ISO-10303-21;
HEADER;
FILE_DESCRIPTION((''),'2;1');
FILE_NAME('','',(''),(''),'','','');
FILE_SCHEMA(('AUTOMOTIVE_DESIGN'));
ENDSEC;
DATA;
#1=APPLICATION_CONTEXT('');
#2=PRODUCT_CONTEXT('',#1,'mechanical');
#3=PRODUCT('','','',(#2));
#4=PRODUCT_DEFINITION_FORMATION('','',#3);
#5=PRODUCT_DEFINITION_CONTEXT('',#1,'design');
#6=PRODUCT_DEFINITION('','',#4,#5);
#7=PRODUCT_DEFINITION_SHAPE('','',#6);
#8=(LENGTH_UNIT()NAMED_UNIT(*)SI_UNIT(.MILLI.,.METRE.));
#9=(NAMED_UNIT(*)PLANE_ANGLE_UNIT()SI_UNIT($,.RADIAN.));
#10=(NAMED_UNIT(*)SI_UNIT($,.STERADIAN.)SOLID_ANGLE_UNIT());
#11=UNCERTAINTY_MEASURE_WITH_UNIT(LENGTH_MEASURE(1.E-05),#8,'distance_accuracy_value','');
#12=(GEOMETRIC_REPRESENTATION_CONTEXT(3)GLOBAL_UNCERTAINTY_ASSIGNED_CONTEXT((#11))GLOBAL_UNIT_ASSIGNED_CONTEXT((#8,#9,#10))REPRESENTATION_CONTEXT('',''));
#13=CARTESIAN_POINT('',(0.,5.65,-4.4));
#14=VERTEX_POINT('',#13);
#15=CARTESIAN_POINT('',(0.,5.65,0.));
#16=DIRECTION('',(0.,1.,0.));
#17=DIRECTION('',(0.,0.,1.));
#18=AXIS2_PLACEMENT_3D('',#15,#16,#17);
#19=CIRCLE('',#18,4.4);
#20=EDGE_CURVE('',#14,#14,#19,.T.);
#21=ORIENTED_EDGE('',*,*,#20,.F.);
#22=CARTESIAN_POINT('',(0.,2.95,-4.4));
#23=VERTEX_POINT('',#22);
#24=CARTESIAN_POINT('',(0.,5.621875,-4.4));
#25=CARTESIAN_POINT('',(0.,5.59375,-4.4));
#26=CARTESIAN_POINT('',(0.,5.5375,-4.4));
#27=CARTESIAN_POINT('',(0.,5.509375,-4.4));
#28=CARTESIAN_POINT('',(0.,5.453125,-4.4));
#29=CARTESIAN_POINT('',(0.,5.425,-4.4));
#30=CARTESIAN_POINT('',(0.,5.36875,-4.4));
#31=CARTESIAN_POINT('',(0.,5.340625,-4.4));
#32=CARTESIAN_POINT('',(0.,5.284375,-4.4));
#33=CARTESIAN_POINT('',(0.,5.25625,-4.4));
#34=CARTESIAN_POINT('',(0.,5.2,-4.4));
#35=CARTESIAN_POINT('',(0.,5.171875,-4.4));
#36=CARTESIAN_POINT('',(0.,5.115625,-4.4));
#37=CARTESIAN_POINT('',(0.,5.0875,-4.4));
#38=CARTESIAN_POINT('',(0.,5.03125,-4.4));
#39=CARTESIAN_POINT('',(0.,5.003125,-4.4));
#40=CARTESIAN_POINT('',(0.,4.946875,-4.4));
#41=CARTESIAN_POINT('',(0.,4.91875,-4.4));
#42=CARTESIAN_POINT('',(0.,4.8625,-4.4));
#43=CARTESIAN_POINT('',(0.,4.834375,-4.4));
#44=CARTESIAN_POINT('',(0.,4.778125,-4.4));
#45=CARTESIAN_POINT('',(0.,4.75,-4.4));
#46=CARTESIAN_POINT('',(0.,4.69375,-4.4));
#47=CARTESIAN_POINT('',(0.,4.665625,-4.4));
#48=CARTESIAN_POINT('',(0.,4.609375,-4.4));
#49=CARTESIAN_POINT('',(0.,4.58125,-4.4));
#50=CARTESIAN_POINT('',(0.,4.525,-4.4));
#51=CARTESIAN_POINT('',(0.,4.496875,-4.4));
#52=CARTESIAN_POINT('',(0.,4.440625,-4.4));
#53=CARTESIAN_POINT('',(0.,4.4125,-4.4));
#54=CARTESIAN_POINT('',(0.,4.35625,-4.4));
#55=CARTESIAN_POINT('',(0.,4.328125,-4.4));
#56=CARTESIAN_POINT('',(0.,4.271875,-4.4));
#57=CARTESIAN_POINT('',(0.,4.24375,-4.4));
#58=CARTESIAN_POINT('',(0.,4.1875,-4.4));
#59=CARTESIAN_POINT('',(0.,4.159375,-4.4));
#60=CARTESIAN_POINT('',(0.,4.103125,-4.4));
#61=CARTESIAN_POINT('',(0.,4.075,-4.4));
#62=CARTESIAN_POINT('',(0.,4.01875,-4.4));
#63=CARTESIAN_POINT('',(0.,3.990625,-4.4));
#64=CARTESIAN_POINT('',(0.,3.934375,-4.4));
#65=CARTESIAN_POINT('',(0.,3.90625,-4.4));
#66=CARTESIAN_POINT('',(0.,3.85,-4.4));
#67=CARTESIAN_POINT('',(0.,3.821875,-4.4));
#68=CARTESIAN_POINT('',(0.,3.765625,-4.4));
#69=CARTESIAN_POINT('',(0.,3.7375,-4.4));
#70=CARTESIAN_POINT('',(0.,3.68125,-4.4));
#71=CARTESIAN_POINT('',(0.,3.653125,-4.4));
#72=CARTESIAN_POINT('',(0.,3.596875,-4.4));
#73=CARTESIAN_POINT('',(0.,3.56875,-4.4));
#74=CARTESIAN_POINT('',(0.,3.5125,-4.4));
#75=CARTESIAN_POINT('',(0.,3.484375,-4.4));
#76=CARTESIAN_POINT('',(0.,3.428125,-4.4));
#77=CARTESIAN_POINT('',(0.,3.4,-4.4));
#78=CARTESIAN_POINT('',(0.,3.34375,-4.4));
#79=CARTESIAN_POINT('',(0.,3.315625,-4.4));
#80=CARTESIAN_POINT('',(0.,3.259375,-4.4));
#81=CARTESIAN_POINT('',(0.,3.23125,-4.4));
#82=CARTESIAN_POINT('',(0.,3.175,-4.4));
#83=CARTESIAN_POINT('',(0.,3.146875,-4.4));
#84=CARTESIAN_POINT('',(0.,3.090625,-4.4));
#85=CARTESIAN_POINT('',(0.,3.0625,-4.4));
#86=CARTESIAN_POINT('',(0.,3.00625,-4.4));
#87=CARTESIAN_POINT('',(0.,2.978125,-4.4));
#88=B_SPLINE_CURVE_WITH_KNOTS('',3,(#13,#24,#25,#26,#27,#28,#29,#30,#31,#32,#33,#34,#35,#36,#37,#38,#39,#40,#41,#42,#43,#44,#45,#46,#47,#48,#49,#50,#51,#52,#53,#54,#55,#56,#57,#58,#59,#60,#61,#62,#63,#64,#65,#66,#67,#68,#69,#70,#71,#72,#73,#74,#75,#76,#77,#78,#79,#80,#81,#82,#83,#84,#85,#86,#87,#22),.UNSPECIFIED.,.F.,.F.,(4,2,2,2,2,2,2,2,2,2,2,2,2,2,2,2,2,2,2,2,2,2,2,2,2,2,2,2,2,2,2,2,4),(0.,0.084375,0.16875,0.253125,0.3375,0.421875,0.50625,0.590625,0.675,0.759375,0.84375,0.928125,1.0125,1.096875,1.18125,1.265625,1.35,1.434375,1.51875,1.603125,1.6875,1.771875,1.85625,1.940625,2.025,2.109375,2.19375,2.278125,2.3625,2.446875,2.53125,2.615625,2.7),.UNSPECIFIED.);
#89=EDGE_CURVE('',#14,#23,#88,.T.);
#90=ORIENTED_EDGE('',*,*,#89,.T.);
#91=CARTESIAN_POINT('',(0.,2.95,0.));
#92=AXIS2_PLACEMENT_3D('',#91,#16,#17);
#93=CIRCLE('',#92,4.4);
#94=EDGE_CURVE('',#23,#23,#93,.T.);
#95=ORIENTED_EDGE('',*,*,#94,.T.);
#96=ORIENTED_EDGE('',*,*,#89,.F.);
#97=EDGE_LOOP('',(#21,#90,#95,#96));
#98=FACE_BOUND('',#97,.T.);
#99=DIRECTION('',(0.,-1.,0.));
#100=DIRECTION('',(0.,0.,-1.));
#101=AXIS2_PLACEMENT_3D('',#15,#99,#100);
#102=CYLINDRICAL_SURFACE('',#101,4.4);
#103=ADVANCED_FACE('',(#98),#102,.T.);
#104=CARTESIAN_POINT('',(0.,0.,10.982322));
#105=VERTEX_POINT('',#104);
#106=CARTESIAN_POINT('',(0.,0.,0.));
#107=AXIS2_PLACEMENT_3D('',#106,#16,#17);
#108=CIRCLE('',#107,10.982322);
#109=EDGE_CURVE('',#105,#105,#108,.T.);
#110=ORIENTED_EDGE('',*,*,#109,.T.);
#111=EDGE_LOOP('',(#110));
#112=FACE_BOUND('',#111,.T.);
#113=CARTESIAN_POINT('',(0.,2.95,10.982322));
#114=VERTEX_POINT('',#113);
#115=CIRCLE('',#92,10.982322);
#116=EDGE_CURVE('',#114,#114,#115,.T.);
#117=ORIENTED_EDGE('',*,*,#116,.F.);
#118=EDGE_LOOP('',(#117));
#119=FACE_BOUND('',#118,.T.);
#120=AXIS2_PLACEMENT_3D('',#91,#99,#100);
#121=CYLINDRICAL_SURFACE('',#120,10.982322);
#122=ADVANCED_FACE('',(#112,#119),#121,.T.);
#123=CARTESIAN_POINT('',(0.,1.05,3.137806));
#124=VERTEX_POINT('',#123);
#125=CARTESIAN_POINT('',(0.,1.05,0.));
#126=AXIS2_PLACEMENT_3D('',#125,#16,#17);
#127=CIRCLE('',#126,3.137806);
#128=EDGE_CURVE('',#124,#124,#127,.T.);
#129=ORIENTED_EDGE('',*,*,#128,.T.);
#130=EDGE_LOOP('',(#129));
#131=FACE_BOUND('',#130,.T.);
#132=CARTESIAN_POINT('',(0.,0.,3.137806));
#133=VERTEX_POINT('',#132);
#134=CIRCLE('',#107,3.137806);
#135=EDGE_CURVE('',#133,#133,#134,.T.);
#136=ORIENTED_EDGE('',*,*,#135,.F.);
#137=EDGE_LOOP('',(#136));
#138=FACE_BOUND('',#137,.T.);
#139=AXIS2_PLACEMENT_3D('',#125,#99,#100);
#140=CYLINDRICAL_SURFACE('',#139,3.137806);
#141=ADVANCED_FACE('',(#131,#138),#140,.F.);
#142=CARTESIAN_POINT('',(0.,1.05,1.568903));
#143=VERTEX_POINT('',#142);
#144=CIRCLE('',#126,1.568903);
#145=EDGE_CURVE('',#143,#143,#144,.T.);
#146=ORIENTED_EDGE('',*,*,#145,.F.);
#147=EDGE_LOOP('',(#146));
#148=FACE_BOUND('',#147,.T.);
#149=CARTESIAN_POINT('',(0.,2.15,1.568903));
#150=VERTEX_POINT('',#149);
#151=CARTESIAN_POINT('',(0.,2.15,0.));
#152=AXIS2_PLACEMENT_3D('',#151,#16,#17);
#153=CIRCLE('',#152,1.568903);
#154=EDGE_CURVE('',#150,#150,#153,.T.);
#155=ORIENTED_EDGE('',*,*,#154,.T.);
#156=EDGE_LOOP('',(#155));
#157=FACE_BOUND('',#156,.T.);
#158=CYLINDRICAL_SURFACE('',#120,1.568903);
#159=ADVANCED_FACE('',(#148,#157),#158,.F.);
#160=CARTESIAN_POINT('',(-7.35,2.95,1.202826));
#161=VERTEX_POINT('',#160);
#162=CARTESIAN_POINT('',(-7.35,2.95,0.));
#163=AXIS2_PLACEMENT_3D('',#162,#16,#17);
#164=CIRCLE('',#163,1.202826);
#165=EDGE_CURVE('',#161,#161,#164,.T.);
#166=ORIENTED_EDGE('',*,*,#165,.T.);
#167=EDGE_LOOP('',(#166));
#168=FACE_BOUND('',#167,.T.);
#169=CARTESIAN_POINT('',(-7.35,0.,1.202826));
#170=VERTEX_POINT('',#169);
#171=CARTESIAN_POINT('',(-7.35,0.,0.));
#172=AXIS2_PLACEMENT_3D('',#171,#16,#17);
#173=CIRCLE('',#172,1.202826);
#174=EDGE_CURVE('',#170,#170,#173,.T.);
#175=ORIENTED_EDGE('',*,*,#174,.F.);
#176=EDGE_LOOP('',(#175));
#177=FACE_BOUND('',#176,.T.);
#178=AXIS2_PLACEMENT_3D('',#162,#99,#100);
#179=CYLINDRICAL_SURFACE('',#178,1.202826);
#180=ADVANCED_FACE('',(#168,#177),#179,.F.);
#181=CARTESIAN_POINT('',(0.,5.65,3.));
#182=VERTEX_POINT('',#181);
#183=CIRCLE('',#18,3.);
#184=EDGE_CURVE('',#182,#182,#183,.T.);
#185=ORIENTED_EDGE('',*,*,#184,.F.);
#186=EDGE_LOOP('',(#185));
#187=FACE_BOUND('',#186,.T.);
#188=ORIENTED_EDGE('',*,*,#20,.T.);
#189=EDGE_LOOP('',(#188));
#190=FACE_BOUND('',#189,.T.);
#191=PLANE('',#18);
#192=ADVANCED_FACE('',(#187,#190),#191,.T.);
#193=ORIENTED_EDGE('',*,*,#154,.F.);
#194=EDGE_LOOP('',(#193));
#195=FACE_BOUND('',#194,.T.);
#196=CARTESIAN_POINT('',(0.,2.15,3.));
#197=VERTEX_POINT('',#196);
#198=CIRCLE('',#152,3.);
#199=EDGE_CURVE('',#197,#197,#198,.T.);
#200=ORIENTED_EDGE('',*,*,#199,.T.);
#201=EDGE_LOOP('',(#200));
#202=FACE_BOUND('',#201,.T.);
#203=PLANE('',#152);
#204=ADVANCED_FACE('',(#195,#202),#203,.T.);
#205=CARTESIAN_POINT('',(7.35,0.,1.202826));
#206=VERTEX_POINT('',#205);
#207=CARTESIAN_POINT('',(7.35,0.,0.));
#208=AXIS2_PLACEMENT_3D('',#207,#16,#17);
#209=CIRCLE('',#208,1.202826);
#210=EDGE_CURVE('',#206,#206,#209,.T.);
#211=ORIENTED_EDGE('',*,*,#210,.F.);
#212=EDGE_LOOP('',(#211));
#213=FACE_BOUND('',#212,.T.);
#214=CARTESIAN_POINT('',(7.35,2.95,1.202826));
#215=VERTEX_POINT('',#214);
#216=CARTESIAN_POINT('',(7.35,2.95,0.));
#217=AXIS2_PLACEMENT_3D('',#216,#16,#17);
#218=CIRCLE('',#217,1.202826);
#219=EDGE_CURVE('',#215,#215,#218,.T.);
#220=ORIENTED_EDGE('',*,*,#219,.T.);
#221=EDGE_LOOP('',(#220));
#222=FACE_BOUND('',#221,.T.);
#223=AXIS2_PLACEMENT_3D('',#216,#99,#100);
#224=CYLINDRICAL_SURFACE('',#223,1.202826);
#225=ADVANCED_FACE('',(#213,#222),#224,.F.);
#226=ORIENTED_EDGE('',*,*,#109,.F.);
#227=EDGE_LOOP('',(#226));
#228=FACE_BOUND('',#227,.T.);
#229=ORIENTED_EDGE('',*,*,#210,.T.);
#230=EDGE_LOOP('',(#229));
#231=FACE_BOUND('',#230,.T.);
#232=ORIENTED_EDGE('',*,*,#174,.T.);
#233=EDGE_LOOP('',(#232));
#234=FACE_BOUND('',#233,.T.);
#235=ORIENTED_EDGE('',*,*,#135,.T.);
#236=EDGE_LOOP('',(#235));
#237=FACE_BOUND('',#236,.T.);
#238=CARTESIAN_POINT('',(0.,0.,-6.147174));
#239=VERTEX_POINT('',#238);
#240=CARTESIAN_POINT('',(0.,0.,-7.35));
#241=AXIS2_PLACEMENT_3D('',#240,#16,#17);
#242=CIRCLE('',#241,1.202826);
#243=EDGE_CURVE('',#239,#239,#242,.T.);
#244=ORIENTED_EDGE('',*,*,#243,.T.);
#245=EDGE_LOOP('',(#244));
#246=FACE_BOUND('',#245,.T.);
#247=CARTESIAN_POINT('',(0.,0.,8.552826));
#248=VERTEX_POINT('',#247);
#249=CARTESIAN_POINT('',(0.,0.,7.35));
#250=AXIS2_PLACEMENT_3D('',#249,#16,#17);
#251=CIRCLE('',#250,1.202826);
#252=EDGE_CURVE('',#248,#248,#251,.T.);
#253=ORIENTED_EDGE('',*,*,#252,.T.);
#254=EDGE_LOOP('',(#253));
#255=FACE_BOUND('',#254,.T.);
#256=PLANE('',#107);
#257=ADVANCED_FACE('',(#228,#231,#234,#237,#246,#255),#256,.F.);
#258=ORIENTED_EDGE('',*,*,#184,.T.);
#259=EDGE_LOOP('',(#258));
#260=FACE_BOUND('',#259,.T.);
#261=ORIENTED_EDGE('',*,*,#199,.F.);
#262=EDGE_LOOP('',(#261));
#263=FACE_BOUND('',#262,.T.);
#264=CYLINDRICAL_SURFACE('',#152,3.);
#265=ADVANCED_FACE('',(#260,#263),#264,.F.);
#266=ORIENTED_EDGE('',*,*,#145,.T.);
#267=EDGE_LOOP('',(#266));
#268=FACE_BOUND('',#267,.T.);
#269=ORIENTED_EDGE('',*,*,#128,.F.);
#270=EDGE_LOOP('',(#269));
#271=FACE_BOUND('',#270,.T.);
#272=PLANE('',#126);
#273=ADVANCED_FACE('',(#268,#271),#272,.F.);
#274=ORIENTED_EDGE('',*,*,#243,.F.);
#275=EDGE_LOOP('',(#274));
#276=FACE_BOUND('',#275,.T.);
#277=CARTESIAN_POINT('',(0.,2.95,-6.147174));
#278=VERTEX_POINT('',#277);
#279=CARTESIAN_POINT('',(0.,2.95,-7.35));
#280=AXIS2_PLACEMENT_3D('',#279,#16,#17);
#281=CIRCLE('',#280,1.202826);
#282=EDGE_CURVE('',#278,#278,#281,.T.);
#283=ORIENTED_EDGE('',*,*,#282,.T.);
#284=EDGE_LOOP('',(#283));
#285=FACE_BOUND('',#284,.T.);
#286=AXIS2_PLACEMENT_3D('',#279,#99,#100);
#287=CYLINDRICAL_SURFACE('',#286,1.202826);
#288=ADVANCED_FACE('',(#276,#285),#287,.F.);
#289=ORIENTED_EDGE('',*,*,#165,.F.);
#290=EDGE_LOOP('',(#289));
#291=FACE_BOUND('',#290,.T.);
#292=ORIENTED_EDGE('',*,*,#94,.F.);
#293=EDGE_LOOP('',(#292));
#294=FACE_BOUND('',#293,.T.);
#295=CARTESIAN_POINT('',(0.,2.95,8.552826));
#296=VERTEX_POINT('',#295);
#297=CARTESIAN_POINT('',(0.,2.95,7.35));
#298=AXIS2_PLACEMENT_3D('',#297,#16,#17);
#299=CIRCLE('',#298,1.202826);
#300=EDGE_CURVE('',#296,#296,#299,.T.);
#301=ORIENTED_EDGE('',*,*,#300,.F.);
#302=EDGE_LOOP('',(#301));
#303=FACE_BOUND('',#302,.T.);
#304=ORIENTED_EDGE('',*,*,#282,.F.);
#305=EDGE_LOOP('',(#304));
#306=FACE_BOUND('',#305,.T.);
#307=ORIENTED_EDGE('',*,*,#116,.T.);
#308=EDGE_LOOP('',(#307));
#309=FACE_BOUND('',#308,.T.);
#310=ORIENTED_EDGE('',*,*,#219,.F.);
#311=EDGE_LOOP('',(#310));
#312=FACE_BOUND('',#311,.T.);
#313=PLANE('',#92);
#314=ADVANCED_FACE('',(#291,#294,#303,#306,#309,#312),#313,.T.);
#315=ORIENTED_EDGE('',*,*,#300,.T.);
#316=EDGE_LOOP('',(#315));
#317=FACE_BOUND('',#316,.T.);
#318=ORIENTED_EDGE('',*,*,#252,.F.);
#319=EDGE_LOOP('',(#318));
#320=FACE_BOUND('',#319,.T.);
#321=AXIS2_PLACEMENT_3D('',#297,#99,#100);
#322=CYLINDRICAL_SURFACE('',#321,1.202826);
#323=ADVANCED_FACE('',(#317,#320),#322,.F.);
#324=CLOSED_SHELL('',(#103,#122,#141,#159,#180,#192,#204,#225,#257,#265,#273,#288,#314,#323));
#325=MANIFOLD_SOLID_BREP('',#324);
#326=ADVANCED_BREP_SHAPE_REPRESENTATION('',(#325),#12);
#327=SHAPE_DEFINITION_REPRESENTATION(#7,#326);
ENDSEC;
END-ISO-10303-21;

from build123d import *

# Parameters (mm, degrees)
CROQUIS_BASE_R          = 10.982321859
SALIENTE_EXTRUIR1_DEPTH = 2.95
CROQUIS_BASE_3_R        = 1.568903123
CROQUIS_BASE_3_R_2      = 1.202825727
CORTAR_EXTRUIR1_DEPTH   = 2.95
CROQUIS_BASE_4_R        = 3.137806245
CORTAR_EXTRUIR2_DEPTH   = 1.05
CROQUIS2_R              = 4.4
SALIENTE_EXTRUIR2_DEPTH = 2.7
CROQUIS3_R              = 3
CORTAR_EXTRUIR3_DEPTH   = 3.5


with BuildPart() as part:
    # Croquis base → Saliente-Extruir1 (new body)
    with BuildSketch(Plane(origin=(0, 0, 0), x_dir=(1, 0, 0), z_dir=(0, 1, 0))):
        Circle(CROQUIS_BASE_R)
    extrude(amount=SALIENTE_EXTRUIR1_DEPTH)

    # Croquis base<3> → Cortar-Extruir1 (cut)
    with BuildSketch(Plane(origin=(0, 0, 0), x_dir=(1, 0, 0), z_dir=(0, 1, 0))):
        Circle(CROQUIS_BASE_3_R)
        with Locations((-7.35, 0)):
            Circle(CROQUIS_BASE_3_R_2)
        with Locations((0, 7.35)):
            Circle(CROQUIS_BASE_3_R_2)
        with Locations((7.35, 0)):
            Circle(CROQUIS_BASE_3_R_2)
        with Locations((0, -7.35)):
            Circle(CROQUIS_BASE_3_R_2)
    extrude(amount=CORTAR_EXTRUIR1_DEPTH, mode=Mode.SUBTRACT)

    # Croquis base<4> → Cortar-Extruir2 (cut)
    with BuildSketch(Plane(origin=(0, 0, 0), x_dir=(1, 0, 0), z_dir=(0, 1, 0))):
        Circle(CROQUIS_BASE_4_R)
    extrude(amount=CORTAR_EXTRUIR2_DEPTH, mode=Mode.SUBTRACT)

    # Croquis2 → Saliente-Extruir2 (add)
    with BuildSketch(Plane(origin=(0, 2.95, 0), x_dir=(1, 0, 0), z_dir=(0, 1, 0))):
        Circle(CROQUIS2_R)
    extrude(amount=SALIENTE_EXTRUIR2_DEPTH)

    # Croquis3 → Cortar-Extruir3 (cut)
    with BuildSketch(Plane(origin=(0, 5.65, 0), x_dir=(1, 0, 0), z_dir=(0, 1, 0))):
        Circle(CROQUIS3_R)
    extrude(amount=-CORTAR_EXTRUIR3_DEPTH, mode=Mode.SUBTRACT)


solid = part.part
